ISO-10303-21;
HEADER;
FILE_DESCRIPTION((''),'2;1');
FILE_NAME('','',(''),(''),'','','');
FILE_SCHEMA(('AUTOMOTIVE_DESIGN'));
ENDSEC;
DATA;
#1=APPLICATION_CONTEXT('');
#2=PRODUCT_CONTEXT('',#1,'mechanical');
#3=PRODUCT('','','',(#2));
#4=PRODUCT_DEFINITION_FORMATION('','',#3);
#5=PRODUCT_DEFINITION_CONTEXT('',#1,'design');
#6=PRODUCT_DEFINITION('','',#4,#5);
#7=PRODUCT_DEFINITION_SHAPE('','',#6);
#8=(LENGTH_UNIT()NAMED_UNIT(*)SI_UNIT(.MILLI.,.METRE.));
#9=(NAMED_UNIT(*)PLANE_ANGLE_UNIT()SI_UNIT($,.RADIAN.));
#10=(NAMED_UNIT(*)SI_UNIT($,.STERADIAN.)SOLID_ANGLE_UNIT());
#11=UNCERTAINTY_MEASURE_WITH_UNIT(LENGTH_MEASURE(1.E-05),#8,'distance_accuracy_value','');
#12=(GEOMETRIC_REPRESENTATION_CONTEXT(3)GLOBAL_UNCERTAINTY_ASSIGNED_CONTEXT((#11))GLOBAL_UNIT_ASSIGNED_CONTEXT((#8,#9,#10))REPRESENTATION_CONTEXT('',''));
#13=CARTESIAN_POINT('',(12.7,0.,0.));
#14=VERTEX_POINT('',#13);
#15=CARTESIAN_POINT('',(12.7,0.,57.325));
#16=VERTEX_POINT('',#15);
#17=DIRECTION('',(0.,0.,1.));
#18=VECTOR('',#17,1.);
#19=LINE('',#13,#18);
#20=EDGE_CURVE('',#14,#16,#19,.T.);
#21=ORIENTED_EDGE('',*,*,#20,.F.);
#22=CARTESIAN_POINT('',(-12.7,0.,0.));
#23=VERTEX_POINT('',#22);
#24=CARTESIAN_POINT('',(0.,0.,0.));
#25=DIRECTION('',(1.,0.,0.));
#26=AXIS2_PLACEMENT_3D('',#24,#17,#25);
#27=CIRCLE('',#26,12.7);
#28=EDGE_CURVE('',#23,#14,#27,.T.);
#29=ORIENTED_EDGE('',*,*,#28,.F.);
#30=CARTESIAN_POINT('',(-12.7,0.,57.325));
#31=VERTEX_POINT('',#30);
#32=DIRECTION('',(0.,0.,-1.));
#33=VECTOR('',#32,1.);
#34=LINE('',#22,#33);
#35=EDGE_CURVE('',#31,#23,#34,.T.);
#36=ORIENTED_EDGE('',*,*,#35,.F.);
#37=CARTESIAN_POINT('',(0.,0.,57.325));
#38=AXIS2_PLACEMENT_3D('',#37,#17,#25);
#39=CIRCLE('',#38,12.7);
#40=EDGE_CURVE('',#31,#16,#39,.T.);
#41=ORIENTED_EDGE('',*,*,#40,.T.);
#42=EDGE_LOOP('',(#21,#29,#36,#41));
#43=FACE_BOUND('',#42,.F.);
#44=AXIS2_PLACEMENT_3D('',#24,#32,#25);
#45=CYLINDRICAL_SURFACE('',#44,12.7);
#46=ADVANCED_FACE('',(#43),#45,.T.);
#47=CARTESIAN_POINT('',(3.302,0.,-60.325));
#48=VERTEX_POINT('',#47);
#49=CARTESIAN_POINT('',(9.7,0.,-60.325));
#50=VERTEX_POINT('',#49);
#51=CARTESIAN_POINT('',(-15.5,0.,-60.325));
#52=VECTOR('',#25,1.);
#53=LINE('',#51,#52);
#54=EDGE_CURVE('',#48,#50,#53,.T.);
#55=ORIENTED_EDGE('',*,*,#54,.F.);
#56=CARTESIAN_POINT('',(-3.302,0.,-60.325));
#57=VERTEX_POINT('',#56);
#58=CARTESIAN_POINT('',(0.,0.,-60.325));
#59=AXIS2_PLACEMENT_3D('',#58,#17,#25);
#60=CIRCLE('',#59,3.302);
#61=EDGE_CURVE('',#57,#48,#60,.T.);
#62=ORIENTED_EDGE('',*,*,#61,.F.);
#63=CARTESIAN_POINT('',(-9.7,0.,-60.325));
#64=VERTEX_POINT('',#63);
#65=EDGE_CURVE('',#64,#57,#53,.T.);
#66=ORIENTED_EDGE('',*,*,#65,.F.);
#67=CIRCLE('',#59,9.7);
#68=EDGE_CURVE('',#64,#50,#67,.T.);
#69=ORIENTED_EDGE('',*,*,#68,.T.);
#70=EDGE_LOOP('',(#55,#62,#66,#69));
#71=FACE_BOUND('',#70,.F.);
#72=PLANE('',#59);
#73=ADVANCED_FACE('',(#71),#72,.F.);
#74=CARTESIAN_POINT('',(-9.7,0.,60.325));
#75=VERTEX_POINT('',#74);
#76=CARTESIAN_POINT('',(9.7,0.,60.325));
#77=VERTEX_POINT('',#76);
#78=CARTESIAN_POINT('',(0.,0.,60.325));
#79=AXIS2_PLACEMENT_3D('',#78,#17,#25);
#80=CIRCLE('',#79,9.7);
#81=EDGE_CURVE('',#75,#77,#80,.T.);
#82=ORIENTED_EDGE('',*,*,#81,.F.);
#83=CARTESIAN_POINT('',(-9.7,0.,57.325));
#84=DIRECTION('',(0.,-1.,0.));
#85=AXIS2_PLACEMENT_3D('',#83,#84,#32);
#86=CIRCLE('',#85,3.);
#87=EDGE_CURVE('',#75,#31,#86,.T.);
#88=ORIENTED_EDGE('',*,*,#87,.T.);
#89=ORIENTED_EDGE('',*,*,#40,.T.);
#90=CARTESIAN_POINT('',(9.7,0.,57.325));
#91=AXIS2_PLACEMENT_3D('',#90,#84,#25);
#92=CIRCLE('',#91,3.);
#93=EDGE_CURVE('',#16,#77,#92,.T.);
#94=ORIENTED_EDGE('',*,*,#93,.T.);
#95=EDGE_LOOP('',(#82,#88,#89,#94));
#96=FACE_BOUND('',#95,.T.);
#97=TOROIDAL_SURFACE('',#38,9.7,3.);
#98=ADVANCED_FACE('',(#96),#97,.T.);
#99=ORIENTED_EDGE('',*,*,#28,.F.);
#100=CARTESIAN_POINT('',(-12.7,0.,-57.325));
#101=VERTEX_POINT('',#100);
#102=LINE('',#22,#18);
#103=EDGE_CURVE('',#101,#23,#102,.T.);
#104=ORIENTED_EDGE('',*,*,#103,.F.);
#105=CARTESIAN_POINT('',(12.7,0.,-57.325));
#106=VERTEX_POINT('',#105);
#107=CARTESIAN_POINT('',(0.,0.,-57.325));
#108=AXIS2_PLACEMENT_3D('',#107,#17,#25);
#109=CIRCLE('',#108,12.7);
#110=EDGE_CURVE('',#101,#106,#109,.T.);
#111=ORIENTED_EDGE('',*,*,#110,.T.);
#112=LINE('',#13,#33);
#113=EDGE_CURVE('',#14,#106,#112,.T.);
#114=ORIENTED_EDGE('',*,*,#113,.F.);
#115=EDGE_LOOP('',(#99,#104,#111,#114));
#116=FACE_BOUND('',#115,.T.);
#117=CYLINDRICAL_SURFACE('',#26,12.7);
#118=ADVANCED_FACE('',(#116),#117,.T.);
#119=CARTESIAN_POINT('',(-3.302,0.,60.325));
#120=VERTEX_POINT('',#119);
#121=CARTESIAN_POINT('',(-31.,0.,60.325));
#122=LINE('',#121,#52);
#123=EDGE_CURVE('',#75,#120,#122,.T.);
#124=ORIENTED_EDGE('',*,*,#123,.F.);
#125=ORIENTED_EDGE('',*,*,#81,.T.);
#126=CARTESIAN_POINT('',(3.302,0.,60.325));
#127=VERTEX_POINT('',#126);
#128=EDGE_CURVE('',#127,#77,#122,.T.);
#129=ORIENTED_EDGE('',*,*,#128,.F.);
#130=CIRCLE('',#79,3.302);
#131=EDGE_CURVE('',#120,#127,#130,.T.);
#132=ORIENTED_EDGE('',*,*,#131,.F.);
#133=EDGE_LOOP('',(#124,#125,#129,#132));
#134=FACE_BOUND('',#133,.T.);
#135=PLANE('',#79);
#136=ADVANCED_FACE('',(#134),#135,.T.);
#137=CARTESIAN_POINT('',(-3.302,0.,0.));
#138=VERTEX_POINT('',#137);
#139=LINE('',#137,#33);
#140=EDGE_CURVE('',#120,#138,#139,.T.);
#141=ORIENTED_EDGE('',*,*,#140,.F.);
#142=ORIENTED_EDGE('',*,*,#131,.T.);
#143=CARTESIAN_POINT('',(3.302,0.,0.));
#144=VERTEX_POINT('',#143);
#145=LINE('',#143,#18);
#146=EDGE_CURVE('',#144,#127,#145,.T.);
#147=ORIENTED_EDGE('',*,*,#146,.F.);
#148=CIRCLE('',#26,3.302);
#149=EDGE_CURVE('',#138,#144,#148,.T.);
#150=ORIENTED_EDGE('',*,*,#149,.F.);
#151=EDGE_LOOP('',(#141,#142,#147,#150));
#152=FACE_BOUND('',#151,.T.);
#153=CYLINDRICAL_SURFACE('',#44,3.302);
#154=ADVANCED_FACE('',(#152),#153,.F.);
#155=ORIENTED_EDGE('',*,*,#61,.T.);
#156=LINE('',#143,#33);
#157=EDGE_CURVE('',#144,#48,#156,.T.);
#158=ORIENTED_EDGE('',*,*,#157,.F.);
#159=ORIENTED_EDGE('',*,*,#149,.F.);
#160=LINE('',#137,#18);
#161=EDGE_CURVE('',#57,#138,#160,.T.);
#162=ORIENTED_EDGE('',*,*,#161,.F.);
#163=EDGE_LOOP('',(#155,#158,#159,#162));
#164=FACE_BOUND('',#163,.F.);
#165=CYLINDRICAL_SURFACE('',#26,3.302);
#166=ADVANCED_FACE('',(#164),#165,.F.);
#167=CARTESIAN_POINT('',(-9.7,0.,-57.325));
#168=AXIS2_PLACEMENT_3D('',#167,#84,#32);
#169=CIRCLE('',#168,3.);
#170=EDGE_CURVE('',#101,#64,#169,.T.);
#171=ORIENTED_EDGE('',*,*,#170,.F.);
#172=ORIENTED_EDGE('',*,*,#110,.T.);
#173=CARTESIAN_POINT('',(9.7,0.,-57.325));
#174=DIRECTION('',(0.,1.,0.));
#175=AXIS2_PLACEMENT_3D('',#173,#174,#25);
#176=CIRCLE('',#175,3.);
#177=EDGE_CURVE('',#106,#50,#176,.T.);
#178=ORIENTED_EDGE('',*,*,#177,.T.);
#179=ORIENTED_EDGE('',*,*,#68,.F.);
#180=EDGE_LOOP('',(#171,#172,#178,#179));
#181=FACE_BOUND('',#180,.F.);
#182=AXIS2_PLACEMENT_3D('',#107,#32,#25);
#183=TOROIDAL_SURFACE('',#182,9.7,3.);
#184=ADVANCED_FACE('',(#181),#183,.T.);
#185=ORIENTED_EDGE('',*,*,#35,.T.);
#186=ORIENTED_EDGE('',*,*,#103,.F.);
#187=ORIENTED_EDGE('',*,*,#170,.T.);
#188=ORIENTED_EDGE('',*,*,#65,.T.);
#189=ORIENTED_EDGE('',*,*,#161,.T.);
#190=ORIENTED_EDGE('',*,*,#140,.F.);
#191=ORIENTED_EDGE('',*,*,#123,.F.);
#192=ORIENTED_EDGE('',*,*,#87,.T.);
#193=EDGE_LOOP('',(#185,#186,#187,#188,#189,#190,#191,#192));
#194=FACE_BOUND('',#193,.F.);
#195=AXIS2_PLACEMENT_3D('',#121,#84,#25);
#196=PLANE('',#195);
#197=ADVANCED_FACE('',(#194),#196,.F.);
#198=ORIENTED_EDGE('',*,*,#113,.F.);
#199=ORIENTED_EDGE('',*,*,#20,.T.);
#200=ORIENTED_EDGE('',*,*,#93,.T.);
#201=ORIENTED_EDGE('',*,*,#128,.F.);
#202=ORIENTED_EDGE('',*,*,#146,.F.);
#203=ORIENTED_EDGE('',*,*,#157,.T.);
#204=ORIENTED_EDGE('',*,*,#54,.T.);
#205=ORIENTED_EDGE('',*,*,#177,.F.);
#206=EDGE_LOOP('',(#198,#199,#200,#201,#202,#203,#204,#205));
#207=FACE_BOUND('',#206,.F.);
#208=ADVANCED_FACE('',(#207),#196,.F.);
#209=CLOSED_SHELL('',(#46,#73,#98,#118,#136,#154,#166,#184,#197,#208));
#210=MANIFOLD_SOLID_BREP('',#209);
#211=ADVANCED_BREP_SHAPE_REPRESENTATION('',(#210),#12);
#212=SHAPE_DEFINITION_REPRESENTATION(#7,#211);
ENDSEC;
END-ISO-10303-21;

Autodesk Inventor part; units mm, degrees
ref_plane "YZ Plane" through (0, 0, 0) normal (1, 0, 0) x (0, 1, 0)
ref_plane "XZ Plane" through (0, 0, 0) normal (0, 1, 0) x (-1, 0, 0)
ref_plane "XY Plane" through (0, 0, 0) normal (0, 0, 1) x (1, 0, 0)
sketch "Sketch1" plane through (0, 0, 0) normal (0, 0, 1) x (1, 0, 0)
  circle A0 centre (0, 0) radius 12.7
  circle A1 centre (0, 0) radius 3.302
  dimension "d0" = 25.4
  dimension "d1" = 6.604
extrude "Extrusion1" add sketch "Sketch1" along normal mid plane 120.65
fillet "Fillet1" radius 3 2 edges at (-12.7, 0, 60.325) (-12.7, 0, -60.325)
sketch "Sketch3" plane through (0, 0, 60.325) normal (0, 0, 1) x (1, 0, 0)
  line L0 (-31, 0) -> (39, 0)
  line L1 (39, 0) -> (17, 30)
  line L2 (17, 30) -> (-16, 29)
  line L3 (-16, 29) -> (-31, 0)
extrude "Extrusion2" cut sketch "Sketch3" against normal through all
properties part number "Wagon Hand Handle V03"
